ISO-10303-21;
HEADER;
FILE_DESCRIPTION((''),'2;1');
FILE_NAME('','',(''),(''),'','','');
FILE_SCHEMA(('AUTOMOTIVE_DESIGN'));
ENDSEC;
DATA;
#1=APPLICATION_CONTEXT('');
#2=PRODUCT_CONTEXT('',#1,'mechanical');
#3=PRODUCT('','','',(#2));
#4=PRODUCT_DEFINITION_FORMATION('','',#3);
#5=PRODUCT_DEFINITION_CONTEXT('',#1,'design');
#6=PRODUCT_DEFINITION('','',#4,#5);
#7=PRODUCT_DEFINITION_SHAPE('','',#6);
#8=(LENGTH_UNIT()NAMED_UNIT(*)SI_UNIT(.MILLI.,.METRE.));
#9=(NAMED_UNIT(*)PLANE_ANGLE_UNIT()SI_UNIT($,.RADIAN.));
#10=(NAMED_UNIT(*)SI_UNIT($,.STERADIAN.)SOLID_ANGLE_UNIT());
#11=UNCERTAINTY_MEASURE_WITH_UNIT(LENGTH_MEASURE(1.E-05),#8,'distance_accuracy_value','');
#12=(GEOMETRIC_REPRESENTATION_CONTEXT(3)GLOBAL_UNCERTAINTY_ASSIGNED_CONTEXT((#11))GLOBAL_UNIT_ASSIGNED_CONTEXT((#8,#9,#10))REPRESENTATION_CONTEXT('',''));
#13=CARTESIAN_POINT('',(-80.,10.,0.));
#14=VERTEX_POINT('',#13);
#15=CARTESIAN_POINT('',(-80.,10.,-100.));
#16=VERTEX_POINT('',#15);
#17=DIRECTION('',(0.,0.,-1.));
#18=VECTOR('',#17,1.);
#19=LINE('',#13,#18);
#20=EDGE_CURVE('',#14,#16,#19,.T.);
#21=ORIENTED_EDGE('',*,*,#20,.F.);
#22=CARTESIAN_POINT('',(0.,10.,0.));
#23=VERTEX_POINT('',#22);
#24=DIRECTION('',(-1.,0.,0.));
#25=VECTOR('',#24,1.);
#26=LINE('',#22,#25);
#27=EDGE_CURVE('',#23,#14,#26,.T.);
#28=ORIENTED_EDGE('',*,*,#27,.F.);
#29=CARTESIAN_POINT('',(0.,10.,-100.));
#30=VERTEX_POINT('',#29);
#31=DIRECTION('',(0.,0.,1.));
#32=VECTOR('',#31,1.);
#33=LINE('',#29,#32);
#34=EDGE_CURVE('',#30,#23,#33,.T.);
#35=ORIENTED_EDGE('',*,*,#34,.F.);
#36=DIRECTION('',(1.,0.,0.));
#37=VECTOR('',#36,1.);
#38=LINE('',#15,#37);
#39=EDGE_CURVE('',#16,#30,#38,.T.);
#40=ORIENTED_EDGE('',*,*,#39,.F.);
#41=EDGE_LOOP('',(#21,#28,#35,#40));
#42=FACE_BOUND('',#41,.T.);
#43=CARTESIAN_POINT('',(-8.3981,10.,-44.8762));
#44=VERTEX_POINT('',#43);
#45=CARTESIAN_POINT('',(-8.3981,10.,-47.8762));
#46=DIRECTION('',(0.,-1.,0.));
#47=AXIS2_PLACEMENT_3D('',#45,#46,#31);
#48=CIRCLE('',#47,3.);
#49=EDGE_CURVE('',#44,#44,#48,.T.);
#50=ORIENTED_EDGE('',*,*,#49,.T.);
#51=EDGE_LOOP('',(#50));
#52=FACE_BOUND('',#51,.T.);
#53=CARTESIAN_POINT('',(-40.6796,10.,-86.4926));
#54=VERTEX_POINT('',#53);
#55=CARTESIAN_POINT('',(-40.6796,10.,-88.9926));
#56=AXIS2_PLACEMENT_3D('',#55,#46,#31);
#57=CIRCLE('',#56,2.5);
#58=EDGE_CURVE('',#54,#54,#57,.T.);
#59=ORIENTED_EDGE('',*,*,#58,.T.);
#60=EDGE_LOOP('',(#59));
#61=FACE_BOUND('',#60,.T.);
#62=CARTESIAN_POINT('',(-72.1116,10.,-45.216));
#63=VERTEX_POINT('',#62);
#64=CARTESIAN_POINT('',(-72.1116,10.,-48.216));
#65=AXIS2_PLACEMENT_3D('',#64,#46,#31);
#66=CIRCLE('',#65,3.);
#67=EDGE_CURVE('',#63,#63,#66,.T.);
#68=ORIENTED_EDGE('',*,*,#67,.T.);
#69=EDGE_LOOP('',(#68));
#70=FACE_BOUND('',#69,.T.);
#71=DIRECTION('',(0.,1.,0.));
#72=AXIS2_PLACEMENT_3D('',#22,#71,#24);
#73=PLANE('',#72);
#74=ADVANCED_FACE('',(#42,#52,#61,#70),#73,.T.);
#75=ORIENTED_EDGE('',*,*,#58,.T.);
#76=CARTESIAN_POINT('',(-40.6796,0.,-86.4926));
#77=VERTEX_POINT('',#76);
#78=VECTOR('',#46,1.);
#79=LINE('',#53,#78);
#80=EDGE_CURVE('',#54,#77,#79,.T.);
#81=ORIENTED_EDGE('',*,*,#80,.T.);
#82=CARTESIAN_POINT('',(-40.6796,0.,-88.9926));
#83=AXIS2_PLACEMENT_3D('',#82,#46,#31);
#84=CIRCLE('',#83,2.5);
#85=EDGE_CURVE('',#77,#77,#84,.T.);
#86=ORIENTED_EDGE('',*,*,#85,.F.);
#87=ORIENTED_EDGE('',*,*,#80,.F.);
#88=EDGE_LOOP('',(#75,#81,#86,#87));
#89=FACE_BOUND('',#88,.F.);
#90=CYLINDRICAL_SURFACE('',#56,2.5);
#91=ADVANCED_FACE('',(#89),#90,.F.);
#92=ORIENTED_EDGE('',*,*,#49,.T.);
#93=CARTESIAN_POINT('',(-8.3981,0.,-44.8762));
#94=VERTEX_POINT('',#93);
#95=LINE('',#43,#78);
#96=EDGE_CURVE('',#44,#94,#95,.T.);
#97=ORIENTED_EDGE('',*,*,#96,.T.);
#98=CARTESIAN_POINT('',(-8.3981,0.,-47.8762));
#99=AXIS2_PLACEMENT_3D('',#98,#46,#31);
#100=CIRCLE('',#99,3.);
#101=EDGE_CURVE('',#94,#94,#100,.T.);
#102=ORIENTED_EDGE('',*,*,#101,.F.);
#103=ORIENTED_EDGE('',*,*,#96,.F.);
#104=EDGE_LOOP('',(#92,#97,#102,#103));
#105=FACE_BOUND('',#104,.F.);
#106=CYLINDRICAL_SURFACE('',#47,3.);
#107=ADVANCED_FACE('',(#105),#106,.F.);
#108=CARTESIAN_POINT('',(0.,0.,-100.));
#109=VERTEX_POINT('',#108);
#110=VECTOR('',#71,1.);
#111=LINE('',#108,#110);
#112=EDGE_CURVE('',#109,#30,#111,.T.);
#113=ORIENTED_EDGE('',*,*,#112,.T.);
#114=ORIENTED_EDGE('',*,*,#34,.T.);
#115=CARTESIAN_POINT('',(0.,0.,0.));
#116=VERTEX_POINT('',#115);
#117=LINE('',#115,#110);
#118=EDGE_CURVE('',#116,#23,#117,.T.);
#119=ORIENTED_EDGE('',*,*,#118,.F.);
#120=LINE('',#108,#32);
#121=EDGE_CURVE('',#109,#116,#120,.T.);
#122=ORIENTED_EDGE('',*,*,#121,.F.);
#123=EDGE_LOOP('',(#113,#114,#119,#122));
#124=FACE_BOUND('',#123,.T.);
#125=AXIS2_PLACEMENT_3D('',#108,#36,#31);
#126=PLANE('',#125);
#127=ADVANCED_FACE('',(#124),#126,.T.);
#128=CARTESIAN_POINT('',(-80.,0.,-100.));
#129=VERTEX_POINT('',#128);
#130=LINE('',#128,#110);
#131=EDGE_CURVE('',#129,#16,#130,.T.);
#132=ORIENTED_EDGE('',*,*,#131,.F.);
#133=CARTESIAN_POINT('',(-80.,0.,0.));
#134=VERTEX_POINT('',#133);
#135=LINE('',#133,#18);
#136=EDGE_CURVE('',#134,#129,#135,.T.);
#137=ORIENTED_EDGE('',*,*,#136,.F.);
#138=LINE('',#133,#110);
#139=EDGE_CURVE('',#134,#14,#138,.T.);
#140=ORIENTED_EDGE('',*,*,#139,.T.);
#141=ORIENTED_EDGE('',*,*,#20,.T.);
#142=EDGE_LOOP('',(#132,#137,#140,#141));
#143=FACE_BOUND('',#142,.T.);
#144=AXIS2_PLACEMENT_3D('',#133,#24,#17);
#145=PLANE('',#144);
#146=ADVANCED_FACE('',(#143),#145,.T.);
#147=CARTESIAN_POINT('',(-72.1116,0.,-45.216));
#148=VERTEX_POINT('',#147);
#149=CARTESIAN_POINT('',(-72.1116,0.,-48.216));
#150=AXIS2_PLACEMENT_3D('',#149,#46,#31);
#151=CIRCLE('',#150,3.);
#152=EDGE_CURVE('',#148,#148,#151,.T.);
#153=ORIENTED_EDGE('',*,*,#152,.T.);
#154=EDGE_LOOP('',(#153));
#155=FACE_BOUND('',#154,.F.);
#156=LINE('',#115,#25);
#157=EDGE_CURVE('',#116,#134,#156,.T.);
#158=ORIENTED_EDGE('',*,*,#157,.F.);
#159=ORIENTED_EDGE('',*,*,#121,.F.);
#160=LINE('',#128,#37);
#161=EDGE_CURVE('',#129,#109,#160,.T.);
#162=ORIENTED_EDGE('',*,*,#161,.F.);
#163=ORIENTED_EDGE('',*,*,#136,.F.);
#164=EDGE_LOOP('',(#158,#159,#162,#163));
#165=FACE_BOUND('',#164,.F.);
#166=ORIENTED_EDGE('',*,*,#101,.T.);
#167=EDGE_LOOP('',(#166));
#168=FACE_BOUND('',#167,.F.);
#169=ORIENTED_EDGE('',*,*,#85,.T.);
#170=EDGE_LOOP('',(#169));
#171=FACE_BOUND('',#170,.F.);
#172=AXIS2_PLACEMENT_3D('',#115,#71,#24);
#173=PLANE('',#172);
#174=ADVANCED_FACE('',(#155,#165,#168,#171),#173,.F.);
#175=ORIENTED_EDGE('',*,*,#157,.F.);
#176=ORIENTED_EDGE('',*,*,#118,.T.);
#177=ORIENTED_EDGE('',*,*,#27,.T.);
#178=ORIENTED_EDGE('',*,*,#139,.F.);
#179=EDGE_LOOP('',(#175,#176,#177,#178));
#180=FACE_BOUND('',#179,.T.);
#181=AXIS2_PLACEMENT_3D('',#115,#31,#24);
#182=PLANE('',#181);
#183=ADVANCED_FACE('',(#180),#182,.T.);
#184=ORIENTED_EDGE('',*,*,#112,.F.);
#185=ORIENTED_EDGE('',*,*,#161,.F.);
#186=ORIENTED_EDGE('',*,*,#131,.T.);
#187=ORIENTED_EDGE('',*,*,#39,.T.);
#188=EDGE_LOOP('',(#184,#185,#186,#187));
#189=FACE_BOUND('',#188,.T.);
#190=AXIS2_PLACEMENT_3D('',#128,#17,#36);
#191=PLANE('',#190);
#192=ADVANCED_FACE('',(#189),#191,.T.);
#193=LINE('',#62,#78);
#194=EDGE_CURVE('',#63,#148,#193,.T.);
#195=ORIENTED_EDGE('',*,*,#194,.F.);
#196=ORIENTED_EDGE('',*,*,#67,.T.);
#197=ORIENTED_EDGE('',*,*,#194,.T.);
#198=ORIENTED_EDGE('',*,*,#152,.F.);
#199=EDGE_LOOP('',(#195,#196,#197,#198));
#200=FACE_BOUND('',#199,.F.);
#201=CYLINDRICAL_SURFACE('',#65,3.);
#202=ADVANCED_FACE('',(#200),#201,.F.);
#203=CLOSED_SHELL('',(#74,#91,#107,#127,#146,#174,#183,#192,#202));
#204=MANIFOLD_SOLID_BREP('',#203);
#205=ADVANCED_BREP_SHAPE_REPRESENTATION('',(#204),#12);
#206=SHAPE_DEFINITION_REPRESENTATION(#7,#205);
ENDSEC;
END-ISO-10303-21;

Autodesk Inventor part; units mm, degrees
ref_plane "YZ Plane" through (0, 0, 0) normal (1, 0, 0) x (0, 1, 0)
ref_plane "XZ Plane" through (0, 0, 0) normal (0, 1, 0) x (-1, 0, 0)
ref_plane "XY Plane" through (0, 0, 0) normal (0, 0, 1) x (1, 0, 0)
sketch "Sketch1" plane through (0, 0, 0) normal (0, 1, 0) x (-1, 0, 0)
  line L0 (0, 0) -> (80, 0)
  line L1 (80, 0) -> (80, -100)
  line L2 (80, -100) -> (0, -100)
  line L3 (0, -100) -> (0, 0)
  dimension "d0" = 80
  dimension "d1" = 100
extrude "Extrusion1" add sketch "Sketch1" along normal blind 10
sketch "Sketch2" plane through (0, 10, 0) normal (0, 1, 0) x (1, 0, 0)
  point P0 (0, 0)
  point P1 (-40.6796, 88.9926)
hole "Hole1" at (-40.6796, 10, -88.9926) direction (0, -1, 0) diameter 5 end through all
sketch "Sketch3" plane through (0, 10, 0) normal (0, 1, 0) x (1, 0, 0)
  point P0 (0, 0)
  point P1 (-72.1116, 48.216)
  point P2 (-8.3981, 47.8762)
hole "Hole2" at (-72.1116, 10, -48.216) at (-8.3981, 10, -47.8762) direction (0, -1, 0) diameter 6 end through all
